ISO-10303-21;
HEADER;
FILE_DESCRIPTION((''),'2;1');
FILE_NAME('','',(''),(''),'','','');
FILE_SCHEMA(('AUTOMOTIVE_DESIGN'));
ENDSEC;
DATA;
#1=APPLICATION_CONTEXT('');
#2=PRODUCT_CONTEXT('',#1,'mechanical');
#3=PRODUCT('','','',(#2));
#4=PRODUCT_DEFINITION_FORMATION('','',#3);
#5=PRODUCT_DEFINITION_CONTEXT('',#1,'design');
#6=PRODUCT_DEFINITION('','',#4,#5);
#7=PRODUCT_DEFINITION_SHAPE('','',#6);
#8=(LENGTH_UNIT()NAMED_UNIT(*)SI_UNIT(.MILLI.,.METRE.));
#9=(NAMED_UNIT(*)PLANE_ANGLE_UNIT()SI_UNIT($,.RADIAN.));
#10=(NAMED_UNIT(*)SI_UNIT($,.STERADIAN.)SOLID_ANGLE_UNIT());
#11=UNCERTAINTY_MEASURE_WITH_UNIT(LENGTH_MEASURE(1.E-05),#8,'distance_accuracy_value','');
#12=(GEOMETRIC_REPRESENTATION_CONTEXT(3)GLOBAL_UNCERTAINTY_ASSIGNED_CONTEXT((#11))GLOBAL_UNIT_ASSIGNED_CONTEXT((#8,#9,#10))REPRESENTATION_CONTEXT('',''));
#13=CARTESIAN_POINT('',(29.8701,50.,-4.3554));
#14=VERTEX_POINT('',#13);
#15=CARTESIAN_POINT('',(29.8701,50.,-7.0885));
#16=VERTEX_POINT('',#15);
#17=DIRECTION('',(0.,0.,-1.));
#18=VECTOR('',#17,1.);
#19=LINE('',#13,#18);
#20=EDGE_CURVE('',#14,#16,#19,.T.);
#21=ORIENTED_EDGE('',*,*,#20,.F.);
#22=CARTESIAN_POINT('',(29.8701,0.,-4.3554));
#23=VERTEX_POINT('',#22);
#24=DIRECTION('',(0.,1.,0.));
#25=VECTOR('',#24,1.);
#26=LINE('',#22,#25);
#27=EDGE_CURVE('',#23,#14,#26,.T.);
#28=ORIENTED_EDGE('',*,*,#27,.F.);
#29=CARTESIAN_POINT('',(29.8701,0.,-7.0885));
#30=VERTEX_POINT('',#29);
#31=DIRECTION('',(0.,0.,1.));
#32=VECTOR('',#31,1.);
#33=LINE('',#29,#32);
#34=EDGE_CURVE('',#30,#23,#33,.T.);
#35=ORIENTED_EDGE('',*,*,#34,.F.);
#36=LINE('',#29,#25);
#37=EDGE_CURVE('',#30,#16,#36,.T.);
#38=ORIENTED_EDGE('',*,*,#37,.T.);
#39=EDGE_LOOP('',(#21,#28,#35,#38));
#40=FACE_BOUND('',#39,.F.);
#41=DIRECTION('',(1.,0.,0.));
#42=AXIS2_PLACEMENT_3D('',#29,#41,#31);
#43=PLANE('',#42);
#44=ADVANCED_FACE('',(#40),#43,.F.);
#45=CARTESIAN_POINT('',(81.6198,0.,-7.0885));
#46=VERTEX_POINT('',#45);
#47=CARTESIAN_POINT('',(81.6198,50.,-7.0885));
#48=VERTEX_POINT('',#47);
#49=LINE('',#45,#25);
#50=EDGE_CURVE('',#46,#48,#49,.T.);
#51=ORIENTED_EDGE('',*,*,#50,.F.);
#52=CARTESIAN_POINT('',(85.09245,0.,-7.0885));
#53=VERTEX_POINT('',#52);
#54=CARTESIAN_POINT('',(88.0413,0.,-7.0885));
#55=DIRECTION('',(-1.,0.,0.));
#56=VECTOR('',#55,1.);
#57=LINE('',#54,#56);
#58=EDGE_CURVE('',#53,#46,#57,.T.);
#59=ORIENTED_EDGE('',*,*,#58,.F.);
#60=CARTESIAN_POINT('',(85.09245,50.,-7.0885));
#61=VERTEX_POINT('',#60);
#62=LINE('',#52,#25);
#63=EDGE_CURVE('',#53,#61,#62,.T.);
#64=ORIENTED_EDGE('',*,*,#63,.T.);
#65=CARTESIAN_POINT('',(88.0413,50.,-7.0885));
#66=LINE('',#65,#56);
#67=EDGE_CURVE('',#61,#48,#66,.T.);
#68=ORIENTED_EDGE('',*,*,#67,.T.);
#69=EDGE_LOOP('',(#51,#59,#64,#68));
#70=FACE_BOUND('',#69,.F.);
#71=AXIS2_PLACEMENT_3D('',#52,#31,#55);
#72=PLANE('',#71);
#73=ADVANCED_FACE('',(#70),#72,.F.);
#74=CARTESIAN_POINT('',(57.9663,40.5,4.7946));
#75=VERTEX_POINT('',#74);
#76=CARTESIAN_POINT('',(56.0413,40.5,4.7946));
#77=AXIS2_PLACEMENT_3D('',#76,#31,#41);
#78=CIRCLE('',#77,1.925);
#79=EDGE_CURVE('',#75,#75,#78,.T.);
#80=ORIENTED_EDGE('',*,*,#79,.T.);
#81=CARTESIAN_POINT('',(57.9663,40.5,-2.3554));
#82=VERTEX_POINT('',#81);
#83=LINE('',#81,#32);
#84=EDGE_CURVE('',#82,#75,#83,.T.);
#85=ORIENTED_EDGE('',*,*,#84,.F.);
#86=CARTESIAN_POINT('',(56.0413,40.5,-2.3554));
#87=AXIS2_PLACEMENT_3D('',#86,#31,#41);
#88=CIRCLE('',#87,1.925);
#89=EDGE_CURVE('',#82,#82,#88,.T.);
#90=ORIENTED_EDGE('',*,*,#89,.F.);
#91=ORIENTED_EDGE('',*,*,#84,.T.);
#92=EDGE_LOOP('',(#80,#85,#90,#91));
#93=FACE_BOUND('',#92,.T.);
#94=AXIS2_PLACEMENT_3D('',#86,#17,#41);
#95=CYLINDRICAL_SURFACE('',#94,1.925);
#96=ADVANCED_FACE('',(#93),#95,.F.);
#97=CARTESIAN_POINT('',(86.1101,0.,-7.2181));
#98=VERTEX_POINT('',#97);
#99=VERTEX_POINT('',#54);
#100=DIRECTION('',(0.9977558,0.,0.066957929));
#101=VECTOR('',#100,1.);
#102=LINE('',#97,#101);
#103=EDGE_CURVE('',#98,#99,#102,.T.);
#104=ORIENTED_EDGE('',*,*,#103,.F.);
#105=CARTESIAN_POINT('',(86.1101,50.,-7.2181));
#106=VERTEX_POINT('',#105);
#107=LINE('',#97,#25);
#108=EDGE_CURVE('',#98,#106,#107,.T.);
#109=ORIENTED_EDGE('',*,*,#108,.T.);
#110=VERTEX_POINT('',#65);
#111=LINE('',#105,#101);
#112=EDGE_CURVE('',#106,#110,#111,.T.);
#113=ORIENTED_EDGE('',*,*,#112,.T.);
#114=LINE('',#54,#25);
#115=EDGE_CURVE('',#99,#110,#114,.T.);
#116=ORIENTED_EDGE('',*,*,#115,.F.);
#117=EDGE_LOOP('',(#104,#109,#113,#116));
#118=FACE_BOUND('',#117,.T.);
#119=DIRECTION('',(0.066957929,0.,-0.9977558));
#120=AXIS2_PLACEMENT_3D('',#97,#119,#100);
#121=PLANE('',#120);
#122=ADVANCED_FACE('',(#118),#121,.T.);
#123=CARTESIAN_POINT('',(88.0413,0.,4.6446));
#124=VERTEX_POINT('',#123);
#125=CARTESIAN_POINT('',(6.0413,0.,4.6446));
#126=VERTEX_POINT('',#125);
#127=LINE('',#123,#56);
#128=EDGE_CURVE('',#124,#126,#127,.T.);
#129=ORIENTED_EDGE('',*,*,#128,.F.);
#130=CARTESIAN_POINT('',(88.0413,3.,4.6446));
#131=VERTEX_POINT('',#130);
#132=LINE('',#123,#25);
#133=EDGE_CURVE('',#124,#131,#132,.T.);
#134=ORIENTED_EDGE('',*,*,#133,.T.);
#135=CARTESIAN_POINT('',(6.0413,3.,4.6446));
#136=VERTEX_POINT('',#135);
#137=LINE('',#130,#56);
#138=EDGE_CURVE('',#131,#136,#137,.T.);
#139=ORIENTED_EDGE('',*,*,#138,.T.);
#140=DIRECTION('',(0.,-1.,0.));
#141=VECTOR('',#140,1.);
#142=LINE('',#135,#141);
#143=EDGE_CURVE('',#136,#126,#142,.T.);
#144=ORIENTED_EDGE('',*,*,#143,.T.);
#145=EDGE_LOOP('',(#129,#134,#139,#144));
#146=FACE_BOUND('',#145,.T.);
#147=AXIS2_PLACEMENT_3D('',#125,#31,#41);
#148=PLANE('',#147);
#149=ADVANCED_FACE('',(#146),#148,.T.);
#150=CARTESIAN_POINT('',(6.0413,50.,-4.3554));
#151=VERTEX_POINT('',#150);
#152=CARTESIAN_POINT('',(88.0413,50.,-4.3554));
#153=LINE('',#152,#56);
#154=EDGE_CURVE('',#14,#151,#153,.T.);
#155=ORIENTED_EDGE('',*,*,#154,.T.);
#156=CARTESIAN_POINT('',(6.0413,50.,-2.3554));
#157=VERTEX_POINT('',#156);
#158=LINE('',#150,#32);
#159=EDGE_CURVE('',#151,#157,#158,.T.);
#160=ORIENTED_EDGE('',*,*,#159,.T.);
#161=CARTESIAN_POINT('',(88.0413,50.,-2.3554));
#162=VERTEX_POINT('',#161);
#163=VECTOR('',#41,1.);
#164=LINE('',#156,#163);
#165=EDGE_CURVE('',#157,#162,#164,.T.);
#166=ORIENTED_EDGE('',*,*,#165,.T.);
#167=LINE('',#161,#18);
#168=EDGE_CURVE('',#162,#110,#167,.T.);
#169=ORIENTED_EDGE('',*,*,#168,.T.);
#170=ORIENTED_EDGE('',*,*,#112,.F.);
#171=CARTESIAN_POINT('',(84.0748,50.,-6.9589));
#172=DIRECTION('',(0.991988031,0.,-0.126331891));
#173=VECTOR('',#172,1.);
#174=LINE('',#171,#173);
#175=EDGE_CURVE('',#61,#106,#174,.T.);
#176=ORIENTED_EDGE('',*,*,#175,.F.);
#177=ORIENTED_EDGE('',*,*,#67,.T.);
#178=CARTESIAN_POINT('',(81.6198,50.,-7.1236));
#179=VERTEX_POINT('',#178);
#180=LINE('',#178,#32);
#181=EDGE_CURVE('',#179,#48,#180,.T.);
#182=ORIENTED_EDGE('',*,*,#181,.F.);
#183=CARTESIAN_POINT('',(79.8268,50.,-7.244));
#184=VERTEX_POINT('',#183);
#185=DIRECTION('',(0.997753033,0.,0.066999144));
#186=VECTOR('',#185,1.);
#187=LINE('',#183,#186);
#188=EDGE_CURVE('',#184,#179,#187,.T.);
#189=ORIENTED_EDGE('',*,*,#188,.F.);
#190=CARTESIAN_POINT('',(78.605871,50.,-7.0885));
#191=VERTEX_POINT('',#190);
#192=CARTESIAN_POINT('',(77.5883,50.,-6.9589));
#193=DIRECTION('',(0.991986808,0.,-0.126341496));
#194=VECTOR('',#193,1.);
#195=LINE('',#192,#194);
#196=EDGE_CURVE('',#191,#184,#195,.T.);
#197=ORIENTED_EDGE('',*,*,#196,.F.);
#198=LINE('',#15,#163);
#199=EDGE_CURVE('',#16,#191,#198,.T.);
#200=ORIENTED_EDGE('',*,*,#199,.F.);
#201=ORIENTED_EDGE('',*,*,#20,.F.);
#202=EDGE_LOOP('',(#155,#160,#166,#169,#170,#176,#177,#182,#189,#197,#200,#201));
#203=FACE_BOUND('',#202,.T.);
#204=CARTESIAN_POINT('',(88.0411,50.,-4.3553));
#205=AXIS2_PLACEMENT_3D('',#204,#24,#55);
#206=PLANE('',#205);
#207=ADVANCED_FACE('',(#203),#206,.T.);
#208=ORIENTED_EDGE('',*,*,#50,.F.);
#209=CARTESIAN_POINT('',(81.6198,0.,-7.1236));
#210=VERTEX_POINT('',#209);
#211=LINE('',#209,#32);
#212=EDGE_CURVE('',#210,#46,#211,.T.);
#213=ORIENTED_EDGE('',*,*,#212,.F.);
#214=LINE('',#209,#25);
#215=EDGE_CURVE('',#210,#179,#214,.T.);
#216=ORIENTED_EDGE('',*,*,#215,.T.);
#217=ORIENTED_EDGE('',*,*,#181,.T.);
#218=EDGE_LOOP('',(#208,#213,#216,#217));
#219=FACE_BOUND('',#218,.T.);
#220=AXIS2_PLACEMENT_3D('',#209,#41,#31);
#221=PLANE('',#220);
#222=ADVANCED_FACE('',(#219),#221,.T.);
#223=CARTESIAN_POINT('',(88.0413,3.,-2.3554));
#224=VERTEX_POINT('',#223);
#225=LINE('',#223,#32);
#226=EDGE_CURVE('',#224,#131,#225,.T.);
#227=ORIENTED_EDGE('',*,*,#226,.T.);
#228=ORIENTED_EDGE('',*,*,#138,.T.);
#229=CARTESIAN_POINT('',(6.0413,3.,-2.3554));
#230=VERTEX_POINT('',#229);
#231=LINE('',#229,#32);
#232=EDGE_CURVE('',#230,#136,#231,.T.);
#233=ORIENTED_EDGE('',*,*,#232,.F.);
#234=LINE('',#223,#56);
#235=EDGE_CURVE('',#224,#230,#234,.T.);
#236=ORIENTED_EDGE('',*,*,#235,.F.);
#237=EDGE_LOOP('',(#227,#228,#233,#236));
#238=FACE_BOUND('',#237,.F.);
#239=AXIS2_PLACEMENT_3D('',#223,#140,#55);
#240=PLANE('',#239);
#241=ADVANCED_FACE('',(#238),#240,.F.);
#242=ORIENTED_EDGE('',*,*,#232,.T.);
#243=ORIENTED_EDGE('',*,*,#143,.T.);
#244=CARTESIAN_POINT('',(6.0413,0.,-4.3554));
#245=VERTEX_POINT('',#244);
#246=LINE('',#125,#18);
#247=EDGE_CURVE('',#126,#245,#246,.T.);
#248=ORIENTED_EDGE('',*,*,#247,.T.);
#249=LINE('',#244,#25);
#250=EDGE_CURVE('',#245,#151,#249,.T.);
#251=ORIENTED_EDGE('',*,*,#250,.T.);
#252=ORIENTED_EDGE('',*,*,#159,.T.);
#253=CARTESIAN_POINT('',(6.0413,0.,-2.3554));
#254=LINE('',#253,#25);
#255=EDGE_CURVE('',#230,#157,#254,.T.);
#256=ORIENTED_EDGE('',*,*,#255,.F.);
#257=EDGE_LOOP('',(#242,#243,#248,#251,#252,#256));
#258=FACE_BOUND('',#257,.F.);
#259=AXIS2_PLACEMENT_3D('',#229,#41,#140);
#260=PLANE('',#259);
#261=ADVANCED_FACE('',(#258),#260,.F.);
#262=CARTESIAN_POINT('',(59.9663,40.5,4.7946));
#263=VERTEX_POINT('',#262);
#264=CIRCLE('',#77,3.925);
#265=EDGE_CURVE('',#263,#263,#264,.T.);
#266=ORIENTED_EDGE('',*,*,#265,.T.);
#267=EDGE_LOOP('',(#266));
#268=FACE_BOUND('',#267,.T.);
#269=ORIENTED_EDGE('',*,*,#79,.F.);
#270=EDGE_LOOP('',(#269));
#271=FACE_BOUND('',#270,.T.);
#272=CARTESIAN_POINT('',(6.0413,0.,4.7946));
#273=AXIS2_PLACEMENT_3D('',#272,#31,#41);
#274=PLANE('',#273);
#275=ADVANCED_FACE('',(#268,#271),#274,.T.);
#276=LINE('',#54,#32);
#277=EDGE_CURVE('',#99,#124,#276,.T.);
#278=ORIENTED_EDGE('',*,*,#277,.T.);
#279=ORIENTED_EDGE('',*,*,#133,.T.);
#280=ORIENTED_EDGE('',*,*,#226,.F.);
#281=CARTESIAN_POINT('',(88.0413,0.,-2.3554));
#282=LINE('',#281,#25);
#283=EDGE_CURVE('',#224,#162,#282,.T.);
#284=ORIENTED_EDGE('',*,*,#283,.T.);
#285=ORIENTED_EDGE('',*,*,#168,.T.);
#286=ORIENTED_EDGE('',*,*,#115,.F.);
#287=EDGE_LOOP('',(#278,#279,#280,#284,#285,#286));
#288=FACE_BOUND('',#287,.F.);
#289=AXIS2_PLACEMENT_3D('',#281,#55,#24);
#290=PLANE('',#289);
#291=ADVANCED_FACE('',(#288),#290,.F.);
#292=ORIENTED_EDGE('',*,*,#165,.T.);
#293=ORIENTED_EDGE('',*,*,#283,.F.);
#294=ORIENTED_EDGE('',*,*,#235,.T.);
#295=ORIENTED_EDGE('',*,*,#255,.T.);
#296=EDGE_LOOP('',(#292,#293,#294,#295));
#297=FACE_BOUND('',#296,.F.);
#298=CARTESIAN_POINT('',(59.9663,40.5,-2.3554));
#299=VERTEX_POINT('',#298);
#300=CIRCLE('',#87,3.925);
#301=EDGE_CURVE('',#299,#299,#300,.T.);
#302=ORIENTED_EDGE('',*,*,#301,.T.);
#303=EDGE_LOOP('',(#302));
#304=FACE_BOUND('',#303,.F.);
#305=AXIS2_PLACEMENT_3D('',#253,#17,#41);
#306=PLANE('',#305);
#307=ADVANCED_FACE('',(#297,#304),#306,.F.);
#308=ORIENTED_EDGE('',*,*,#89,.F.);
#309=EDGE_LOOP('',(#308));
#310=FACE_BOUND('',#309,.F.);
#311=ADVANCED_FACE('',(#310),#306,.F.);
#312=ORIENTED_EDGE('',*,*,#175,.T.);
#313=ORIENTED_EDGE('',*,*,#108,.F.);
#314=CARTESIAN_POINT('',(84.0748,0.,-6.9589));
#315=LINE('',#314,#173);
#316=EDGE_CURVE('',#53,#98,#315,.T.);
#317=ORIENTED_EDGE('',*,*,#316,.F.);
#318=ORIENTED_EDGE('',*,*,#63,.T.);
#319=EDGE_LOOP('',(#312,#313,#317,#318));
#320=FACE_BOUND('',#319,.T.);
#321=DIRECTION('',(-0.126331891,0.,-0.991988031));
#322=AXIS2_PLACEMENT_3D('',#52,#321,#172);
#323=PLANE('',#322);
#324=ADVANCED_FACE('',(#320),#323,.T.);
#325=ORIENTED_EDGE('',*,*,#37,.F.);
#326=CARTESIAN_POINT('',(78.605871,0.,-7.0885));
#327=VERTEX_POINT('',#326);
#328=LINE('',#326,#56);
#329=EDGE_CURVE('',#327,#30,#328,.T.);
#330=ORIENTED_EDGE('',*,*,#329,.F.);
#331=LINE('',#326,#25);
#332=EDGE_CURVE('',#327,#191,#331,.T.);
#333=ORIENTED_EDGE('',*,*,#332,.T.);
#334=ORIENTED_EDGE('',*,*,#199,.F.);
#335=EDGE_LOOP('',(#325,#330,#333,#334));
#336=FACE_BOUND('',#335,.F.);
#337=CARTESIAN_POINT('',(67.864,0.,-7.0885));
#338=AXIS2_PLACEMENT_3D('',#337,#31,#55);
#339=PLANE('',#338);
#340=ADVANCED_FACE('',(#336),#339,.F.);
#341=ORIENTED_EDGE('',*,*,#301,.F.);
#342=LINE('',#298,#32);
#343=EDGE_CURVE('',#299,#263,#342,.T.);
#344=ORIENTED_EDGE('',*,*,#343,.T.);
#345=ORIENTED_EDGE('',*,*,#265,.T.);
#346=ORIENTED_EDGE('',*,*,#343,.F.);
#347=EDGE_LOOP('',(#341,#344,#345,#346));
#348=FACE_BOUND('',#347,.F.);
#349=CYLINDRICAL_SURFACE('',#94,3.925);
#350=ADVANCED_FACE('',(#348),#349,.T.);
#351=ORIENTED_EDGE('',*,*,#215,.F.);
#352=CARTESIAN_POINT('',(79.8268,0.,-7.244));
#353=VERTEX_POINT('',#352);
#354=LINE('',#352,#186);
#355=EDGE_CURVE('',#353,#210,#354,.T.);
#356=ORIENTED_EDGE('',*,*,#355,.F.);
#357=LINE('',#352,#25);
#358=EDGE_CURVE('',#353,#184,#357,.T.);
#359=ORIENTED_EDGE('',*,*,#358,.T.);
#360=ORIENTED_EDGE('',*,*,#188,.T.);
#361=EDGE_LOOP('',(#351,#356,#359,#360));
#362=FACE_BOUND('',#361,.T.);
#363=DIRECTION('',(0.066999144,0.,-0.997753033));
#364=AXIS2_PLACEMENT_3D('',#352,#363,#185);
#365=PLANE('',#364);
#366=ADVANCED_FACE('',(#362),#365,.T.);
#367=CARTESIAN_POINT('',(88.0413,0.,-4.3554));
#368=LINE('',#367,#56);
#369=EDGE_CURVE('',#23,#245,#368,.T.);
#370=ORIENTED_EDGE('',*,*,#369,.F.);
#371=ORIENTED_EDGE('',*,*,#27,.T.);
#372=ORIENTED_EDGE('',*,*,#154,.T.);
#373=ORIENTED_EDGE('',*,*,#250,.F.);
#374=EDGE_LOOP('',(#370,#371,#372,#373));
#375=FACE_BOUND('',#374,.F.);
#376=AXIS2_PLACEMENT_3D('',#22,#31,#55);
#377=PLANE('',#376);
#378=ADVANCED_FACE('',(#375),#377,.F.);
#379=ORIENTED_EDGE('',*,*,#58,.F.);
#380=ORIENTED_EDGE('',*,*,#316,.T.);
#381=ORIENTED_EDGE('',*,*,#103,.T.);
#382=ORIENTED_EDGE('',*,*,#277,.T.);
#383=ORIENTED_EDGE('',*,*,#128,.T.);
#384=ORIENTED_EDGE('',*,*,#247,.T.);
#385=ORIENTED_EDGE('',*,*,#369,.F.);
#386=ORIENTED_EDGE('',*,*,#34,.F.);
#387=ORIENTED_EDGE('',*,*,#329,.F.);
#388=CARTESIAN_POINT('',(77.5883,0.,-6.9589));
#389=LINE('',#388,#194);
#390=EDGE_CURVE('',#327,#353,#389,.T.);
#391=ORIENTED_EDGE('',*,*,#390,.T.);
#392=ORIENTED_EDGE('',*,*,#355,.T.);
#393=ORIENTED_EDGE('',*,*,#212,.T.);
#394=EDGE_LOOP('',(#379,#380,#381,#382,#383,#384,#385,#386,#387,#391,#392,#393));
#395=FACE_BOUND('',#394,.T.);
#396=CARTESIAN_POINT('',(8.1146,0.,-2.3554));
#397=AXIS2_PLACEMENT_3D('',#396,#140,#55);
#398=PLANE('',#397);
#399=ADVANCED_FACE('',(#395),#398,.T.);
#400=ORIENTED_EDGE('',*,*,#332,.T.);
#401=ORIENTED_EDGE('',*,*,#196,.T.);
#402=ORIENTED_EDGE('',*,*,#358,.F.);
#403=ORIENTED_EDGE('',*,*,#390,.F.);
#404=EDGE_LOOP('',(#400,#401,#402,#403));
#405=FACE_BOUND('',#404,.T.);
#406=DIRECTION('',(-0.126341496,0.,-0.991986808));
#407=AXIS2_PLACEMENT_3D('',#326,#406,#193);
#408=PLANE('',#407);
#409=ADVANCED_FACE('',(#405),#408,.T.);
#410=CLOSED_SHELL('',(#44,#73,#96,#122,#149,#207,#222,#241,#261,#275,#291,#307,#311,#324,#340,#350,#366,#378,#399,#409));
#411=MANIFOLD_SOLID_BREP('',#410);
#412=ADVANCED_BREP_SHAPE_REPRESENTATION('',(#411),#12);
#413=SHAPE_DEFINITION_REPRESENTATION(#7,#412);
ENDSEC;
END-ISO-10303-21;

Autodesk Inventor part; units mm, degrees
ref_plane "YZ Plane" through (0, 0, 0) normal (1, 0, 0) x (0, 1, 0)
ref_plane "XZ Plane" through (0, 0, 0) normal (0, 1, 0) x (-1, 0, 0)
ref_plane "XY Plane" through (0, 0, 0) normal (0, 0, 1) x (1, 0, 0)
ref_plane "Work Plane1" through (88.0411, 0, -4.3553) normal (0, 1, 0) x (-1, 0, 0)
sketch "Sketch1" plane through (88.0411, 0, -4.3553) normal (0, 1, 0) x (-1, 0, 0)
  line L0 (58.171, -0.729) -> (56.0977, -0.729) projected
  line L1 (56.0977, -0.729) -> (54.0127, -0.3924) projected
  line L2 (54.0127, -0.3924) -> (50.0902, -0.0001) projected
  line L3 (50.0902, -0.0001) -> (48.159, -0.0001) projected
  line L4 (48.159, -0.0001) -> (48.159, -0.9194) projected
  line L5 (48.159, -0.9194) -> (46.281, -0.9194) projected
  line L6 (46.281, -0.9194) -> (44.3734, -0.6114) projected
  line L7 (44.3734, -0.6114) -> (42.5702, -0.4904) projected
  line L8 (42.5702, -0.4904) -> (38.7992, -0.4904) projected
  line L9 (38.7992, -0.4904) -> (36.9307, -0.729) projected
  line L10 (36.9307, -0.729) -> (35.0405, -1.2743) projected
  line L11 (35.0405, -1.2743) -> (32.7869, -1.7551) projected
  line L12 (32.7869, -1.7551) -> (31.1597, -2.2246) projected
  line L13 (31.1597, -2.2246) -> (29.2392, -2.5119) projected
  line L14 (29.2392, -2.5119) -> (25.7568, -2.5119) projected
  line L15 (25.7568, -2.5119) -> (22.1476, -1.9292) projected
  line L16 (22.1476, -1.9292) -> (20.1771, -1.9292) projected
  line L17 (20.1771, -1.9292) -> (20.1771, -3.0939) projected
  line L18 (20.1771, -3.0939) -> (15.2755, -3.0939) projected
  line L19 (15.2755, -3.0939) -> (12.2384, -2.6036) projected
  line L20 (12.2384, -2.6036) -> (10.4528, -2.6036) projected
  line L21 (10.4528, -2.6036) -> (8.2143, -2.8887) projected
  line L22 (8.2143, -2.8887) -> (6.4213, -2.7683) projected
  line L23 (6.4213, -2.7683) -> (6.4213, -2.4041) projected
  line L24 (6.4213, -2.4041) -> (3.9663, -2.6036) projected
  line L25 (3.9663, -2.6036) -> (1.931, -2.8628) projected
  line L26 (1.931, -2.8628) -> (-0.0002, -2.7332) projected
  line L27 (-0.0002, -2.7332) -> (-0.0002, -9.8132) projected
  line L28 (-0.0002, -9.8132) -> (-6.1102, -9.8132) projected
  line L29 (-6.1102, -9.8132) -> (-6.1102, -18.749) projected
  line L30 (-6.1102, -18.749) -> (58.171, -18.749) projected
  line L31 (58.171, -18.749) -> (58.171, -0.729) projected
  line L32 (58.171, -0.0001) -> (-0.0002, -0.0001)
  line L33 (-0.0002, -0.0001) -> (-0.0002, -2.7332)
  line L34 (-0.0002, -2.7332) -> (58.171, -2.7332)
  line L35 (58.171, -2.7332) -> (58.171, -0.0001)
  line L36 (-0.0002, -0.0001) -> (81.9998, -0.0001)
  line L37 (81.9998, -0.0001) -> (81.9998, 1.9999)
  line L38 (81.9998, 1.9999) -> (-0.0002, 1.9999)
  line L39 (-0.0002, 1.9999) -> (-0.0002, -0.0001)
  point P0 (88.0411, 4.3553)
  point P1 (2.9486, -2.7332)
  point P2 (6.4213, -2.7332)
  point P3 (9.4352, -2.7332)
  point P4 (31.9998, 9.1499)
  point P5 (20.1771, -2.7332)
  point P6 (13.0411, -2.7332)
  point P7 (48.159, -0.0001)
  point P8 (58.171, -2.7332)
  point P9 (50.0902, -0.0001)
  dimension "d0" = 2
  dimension "d13" = 50
extrude "Extrusion1" add sketch "Sketch1" along normal blind 50 contours L31 L34 L17 L16 L15 L14 L13 L12 L11 L10 L9 L8 L7 L6 L5 L4 L3 L2 L1 L0 | L0 L1 L2 L32 L35 | L32 L3 L39 L38 L37 L36 | L34 L19 L20 L21 L23 L24 L25 L33 L32 L4 L5 L6 L7 L8 L9 L10 L11 L12 L13 L14 L15 L16 L17 | L34 L21 L20 L19 | L21 L22 L23 L34 | L34 L25 L24 L23 | L34 L25 L26
sketch "Sketch2" plane through (6.0413, 0, -2.3554) normal (0, 0, 1) x (1, 0, 0)
  line L0 (2.0733, 0) -> (0, 0) projected
  line L1 (82, 0) -> (82, 50) projected
  line L2 (0, 0) -> (82, 0)
  line L3 (82, 0) -> (82, 3)
  line L4 (82, 3) -> (0, 3)
  line L5 (0, 3) -> (0, 0)
  circle A0 centre (50, 40.5) radius 32 construction
  line L6 (58.1712, -304.8) -> (58.1712, 304.8) construction
  circle A1 centre (50, 40.5) radius 3.925
  circle A2 centre (50, 40.5) radius 1.925
  point P0 (-6.0413, 0)
  point P1 (10, 40.5)
  dimension "d3" = 3
  dimension "d6" = 64
  dimension "d7" = 37.5
  dimension "d8" = 32
  dimension "d9" = 7.85
  dimension "d10" = 2
  dimension "d14" = 40
extrude "Extrusion2" add sketch "Sketch2" along normal blind 7 contours L0 L5 L4 L1 L2
extrude "Extrusion3" add sketch "Sketch2" along normal blind 7.15 contours A1
equation "\"t\" = 0.15"
properties part number "backCase"
